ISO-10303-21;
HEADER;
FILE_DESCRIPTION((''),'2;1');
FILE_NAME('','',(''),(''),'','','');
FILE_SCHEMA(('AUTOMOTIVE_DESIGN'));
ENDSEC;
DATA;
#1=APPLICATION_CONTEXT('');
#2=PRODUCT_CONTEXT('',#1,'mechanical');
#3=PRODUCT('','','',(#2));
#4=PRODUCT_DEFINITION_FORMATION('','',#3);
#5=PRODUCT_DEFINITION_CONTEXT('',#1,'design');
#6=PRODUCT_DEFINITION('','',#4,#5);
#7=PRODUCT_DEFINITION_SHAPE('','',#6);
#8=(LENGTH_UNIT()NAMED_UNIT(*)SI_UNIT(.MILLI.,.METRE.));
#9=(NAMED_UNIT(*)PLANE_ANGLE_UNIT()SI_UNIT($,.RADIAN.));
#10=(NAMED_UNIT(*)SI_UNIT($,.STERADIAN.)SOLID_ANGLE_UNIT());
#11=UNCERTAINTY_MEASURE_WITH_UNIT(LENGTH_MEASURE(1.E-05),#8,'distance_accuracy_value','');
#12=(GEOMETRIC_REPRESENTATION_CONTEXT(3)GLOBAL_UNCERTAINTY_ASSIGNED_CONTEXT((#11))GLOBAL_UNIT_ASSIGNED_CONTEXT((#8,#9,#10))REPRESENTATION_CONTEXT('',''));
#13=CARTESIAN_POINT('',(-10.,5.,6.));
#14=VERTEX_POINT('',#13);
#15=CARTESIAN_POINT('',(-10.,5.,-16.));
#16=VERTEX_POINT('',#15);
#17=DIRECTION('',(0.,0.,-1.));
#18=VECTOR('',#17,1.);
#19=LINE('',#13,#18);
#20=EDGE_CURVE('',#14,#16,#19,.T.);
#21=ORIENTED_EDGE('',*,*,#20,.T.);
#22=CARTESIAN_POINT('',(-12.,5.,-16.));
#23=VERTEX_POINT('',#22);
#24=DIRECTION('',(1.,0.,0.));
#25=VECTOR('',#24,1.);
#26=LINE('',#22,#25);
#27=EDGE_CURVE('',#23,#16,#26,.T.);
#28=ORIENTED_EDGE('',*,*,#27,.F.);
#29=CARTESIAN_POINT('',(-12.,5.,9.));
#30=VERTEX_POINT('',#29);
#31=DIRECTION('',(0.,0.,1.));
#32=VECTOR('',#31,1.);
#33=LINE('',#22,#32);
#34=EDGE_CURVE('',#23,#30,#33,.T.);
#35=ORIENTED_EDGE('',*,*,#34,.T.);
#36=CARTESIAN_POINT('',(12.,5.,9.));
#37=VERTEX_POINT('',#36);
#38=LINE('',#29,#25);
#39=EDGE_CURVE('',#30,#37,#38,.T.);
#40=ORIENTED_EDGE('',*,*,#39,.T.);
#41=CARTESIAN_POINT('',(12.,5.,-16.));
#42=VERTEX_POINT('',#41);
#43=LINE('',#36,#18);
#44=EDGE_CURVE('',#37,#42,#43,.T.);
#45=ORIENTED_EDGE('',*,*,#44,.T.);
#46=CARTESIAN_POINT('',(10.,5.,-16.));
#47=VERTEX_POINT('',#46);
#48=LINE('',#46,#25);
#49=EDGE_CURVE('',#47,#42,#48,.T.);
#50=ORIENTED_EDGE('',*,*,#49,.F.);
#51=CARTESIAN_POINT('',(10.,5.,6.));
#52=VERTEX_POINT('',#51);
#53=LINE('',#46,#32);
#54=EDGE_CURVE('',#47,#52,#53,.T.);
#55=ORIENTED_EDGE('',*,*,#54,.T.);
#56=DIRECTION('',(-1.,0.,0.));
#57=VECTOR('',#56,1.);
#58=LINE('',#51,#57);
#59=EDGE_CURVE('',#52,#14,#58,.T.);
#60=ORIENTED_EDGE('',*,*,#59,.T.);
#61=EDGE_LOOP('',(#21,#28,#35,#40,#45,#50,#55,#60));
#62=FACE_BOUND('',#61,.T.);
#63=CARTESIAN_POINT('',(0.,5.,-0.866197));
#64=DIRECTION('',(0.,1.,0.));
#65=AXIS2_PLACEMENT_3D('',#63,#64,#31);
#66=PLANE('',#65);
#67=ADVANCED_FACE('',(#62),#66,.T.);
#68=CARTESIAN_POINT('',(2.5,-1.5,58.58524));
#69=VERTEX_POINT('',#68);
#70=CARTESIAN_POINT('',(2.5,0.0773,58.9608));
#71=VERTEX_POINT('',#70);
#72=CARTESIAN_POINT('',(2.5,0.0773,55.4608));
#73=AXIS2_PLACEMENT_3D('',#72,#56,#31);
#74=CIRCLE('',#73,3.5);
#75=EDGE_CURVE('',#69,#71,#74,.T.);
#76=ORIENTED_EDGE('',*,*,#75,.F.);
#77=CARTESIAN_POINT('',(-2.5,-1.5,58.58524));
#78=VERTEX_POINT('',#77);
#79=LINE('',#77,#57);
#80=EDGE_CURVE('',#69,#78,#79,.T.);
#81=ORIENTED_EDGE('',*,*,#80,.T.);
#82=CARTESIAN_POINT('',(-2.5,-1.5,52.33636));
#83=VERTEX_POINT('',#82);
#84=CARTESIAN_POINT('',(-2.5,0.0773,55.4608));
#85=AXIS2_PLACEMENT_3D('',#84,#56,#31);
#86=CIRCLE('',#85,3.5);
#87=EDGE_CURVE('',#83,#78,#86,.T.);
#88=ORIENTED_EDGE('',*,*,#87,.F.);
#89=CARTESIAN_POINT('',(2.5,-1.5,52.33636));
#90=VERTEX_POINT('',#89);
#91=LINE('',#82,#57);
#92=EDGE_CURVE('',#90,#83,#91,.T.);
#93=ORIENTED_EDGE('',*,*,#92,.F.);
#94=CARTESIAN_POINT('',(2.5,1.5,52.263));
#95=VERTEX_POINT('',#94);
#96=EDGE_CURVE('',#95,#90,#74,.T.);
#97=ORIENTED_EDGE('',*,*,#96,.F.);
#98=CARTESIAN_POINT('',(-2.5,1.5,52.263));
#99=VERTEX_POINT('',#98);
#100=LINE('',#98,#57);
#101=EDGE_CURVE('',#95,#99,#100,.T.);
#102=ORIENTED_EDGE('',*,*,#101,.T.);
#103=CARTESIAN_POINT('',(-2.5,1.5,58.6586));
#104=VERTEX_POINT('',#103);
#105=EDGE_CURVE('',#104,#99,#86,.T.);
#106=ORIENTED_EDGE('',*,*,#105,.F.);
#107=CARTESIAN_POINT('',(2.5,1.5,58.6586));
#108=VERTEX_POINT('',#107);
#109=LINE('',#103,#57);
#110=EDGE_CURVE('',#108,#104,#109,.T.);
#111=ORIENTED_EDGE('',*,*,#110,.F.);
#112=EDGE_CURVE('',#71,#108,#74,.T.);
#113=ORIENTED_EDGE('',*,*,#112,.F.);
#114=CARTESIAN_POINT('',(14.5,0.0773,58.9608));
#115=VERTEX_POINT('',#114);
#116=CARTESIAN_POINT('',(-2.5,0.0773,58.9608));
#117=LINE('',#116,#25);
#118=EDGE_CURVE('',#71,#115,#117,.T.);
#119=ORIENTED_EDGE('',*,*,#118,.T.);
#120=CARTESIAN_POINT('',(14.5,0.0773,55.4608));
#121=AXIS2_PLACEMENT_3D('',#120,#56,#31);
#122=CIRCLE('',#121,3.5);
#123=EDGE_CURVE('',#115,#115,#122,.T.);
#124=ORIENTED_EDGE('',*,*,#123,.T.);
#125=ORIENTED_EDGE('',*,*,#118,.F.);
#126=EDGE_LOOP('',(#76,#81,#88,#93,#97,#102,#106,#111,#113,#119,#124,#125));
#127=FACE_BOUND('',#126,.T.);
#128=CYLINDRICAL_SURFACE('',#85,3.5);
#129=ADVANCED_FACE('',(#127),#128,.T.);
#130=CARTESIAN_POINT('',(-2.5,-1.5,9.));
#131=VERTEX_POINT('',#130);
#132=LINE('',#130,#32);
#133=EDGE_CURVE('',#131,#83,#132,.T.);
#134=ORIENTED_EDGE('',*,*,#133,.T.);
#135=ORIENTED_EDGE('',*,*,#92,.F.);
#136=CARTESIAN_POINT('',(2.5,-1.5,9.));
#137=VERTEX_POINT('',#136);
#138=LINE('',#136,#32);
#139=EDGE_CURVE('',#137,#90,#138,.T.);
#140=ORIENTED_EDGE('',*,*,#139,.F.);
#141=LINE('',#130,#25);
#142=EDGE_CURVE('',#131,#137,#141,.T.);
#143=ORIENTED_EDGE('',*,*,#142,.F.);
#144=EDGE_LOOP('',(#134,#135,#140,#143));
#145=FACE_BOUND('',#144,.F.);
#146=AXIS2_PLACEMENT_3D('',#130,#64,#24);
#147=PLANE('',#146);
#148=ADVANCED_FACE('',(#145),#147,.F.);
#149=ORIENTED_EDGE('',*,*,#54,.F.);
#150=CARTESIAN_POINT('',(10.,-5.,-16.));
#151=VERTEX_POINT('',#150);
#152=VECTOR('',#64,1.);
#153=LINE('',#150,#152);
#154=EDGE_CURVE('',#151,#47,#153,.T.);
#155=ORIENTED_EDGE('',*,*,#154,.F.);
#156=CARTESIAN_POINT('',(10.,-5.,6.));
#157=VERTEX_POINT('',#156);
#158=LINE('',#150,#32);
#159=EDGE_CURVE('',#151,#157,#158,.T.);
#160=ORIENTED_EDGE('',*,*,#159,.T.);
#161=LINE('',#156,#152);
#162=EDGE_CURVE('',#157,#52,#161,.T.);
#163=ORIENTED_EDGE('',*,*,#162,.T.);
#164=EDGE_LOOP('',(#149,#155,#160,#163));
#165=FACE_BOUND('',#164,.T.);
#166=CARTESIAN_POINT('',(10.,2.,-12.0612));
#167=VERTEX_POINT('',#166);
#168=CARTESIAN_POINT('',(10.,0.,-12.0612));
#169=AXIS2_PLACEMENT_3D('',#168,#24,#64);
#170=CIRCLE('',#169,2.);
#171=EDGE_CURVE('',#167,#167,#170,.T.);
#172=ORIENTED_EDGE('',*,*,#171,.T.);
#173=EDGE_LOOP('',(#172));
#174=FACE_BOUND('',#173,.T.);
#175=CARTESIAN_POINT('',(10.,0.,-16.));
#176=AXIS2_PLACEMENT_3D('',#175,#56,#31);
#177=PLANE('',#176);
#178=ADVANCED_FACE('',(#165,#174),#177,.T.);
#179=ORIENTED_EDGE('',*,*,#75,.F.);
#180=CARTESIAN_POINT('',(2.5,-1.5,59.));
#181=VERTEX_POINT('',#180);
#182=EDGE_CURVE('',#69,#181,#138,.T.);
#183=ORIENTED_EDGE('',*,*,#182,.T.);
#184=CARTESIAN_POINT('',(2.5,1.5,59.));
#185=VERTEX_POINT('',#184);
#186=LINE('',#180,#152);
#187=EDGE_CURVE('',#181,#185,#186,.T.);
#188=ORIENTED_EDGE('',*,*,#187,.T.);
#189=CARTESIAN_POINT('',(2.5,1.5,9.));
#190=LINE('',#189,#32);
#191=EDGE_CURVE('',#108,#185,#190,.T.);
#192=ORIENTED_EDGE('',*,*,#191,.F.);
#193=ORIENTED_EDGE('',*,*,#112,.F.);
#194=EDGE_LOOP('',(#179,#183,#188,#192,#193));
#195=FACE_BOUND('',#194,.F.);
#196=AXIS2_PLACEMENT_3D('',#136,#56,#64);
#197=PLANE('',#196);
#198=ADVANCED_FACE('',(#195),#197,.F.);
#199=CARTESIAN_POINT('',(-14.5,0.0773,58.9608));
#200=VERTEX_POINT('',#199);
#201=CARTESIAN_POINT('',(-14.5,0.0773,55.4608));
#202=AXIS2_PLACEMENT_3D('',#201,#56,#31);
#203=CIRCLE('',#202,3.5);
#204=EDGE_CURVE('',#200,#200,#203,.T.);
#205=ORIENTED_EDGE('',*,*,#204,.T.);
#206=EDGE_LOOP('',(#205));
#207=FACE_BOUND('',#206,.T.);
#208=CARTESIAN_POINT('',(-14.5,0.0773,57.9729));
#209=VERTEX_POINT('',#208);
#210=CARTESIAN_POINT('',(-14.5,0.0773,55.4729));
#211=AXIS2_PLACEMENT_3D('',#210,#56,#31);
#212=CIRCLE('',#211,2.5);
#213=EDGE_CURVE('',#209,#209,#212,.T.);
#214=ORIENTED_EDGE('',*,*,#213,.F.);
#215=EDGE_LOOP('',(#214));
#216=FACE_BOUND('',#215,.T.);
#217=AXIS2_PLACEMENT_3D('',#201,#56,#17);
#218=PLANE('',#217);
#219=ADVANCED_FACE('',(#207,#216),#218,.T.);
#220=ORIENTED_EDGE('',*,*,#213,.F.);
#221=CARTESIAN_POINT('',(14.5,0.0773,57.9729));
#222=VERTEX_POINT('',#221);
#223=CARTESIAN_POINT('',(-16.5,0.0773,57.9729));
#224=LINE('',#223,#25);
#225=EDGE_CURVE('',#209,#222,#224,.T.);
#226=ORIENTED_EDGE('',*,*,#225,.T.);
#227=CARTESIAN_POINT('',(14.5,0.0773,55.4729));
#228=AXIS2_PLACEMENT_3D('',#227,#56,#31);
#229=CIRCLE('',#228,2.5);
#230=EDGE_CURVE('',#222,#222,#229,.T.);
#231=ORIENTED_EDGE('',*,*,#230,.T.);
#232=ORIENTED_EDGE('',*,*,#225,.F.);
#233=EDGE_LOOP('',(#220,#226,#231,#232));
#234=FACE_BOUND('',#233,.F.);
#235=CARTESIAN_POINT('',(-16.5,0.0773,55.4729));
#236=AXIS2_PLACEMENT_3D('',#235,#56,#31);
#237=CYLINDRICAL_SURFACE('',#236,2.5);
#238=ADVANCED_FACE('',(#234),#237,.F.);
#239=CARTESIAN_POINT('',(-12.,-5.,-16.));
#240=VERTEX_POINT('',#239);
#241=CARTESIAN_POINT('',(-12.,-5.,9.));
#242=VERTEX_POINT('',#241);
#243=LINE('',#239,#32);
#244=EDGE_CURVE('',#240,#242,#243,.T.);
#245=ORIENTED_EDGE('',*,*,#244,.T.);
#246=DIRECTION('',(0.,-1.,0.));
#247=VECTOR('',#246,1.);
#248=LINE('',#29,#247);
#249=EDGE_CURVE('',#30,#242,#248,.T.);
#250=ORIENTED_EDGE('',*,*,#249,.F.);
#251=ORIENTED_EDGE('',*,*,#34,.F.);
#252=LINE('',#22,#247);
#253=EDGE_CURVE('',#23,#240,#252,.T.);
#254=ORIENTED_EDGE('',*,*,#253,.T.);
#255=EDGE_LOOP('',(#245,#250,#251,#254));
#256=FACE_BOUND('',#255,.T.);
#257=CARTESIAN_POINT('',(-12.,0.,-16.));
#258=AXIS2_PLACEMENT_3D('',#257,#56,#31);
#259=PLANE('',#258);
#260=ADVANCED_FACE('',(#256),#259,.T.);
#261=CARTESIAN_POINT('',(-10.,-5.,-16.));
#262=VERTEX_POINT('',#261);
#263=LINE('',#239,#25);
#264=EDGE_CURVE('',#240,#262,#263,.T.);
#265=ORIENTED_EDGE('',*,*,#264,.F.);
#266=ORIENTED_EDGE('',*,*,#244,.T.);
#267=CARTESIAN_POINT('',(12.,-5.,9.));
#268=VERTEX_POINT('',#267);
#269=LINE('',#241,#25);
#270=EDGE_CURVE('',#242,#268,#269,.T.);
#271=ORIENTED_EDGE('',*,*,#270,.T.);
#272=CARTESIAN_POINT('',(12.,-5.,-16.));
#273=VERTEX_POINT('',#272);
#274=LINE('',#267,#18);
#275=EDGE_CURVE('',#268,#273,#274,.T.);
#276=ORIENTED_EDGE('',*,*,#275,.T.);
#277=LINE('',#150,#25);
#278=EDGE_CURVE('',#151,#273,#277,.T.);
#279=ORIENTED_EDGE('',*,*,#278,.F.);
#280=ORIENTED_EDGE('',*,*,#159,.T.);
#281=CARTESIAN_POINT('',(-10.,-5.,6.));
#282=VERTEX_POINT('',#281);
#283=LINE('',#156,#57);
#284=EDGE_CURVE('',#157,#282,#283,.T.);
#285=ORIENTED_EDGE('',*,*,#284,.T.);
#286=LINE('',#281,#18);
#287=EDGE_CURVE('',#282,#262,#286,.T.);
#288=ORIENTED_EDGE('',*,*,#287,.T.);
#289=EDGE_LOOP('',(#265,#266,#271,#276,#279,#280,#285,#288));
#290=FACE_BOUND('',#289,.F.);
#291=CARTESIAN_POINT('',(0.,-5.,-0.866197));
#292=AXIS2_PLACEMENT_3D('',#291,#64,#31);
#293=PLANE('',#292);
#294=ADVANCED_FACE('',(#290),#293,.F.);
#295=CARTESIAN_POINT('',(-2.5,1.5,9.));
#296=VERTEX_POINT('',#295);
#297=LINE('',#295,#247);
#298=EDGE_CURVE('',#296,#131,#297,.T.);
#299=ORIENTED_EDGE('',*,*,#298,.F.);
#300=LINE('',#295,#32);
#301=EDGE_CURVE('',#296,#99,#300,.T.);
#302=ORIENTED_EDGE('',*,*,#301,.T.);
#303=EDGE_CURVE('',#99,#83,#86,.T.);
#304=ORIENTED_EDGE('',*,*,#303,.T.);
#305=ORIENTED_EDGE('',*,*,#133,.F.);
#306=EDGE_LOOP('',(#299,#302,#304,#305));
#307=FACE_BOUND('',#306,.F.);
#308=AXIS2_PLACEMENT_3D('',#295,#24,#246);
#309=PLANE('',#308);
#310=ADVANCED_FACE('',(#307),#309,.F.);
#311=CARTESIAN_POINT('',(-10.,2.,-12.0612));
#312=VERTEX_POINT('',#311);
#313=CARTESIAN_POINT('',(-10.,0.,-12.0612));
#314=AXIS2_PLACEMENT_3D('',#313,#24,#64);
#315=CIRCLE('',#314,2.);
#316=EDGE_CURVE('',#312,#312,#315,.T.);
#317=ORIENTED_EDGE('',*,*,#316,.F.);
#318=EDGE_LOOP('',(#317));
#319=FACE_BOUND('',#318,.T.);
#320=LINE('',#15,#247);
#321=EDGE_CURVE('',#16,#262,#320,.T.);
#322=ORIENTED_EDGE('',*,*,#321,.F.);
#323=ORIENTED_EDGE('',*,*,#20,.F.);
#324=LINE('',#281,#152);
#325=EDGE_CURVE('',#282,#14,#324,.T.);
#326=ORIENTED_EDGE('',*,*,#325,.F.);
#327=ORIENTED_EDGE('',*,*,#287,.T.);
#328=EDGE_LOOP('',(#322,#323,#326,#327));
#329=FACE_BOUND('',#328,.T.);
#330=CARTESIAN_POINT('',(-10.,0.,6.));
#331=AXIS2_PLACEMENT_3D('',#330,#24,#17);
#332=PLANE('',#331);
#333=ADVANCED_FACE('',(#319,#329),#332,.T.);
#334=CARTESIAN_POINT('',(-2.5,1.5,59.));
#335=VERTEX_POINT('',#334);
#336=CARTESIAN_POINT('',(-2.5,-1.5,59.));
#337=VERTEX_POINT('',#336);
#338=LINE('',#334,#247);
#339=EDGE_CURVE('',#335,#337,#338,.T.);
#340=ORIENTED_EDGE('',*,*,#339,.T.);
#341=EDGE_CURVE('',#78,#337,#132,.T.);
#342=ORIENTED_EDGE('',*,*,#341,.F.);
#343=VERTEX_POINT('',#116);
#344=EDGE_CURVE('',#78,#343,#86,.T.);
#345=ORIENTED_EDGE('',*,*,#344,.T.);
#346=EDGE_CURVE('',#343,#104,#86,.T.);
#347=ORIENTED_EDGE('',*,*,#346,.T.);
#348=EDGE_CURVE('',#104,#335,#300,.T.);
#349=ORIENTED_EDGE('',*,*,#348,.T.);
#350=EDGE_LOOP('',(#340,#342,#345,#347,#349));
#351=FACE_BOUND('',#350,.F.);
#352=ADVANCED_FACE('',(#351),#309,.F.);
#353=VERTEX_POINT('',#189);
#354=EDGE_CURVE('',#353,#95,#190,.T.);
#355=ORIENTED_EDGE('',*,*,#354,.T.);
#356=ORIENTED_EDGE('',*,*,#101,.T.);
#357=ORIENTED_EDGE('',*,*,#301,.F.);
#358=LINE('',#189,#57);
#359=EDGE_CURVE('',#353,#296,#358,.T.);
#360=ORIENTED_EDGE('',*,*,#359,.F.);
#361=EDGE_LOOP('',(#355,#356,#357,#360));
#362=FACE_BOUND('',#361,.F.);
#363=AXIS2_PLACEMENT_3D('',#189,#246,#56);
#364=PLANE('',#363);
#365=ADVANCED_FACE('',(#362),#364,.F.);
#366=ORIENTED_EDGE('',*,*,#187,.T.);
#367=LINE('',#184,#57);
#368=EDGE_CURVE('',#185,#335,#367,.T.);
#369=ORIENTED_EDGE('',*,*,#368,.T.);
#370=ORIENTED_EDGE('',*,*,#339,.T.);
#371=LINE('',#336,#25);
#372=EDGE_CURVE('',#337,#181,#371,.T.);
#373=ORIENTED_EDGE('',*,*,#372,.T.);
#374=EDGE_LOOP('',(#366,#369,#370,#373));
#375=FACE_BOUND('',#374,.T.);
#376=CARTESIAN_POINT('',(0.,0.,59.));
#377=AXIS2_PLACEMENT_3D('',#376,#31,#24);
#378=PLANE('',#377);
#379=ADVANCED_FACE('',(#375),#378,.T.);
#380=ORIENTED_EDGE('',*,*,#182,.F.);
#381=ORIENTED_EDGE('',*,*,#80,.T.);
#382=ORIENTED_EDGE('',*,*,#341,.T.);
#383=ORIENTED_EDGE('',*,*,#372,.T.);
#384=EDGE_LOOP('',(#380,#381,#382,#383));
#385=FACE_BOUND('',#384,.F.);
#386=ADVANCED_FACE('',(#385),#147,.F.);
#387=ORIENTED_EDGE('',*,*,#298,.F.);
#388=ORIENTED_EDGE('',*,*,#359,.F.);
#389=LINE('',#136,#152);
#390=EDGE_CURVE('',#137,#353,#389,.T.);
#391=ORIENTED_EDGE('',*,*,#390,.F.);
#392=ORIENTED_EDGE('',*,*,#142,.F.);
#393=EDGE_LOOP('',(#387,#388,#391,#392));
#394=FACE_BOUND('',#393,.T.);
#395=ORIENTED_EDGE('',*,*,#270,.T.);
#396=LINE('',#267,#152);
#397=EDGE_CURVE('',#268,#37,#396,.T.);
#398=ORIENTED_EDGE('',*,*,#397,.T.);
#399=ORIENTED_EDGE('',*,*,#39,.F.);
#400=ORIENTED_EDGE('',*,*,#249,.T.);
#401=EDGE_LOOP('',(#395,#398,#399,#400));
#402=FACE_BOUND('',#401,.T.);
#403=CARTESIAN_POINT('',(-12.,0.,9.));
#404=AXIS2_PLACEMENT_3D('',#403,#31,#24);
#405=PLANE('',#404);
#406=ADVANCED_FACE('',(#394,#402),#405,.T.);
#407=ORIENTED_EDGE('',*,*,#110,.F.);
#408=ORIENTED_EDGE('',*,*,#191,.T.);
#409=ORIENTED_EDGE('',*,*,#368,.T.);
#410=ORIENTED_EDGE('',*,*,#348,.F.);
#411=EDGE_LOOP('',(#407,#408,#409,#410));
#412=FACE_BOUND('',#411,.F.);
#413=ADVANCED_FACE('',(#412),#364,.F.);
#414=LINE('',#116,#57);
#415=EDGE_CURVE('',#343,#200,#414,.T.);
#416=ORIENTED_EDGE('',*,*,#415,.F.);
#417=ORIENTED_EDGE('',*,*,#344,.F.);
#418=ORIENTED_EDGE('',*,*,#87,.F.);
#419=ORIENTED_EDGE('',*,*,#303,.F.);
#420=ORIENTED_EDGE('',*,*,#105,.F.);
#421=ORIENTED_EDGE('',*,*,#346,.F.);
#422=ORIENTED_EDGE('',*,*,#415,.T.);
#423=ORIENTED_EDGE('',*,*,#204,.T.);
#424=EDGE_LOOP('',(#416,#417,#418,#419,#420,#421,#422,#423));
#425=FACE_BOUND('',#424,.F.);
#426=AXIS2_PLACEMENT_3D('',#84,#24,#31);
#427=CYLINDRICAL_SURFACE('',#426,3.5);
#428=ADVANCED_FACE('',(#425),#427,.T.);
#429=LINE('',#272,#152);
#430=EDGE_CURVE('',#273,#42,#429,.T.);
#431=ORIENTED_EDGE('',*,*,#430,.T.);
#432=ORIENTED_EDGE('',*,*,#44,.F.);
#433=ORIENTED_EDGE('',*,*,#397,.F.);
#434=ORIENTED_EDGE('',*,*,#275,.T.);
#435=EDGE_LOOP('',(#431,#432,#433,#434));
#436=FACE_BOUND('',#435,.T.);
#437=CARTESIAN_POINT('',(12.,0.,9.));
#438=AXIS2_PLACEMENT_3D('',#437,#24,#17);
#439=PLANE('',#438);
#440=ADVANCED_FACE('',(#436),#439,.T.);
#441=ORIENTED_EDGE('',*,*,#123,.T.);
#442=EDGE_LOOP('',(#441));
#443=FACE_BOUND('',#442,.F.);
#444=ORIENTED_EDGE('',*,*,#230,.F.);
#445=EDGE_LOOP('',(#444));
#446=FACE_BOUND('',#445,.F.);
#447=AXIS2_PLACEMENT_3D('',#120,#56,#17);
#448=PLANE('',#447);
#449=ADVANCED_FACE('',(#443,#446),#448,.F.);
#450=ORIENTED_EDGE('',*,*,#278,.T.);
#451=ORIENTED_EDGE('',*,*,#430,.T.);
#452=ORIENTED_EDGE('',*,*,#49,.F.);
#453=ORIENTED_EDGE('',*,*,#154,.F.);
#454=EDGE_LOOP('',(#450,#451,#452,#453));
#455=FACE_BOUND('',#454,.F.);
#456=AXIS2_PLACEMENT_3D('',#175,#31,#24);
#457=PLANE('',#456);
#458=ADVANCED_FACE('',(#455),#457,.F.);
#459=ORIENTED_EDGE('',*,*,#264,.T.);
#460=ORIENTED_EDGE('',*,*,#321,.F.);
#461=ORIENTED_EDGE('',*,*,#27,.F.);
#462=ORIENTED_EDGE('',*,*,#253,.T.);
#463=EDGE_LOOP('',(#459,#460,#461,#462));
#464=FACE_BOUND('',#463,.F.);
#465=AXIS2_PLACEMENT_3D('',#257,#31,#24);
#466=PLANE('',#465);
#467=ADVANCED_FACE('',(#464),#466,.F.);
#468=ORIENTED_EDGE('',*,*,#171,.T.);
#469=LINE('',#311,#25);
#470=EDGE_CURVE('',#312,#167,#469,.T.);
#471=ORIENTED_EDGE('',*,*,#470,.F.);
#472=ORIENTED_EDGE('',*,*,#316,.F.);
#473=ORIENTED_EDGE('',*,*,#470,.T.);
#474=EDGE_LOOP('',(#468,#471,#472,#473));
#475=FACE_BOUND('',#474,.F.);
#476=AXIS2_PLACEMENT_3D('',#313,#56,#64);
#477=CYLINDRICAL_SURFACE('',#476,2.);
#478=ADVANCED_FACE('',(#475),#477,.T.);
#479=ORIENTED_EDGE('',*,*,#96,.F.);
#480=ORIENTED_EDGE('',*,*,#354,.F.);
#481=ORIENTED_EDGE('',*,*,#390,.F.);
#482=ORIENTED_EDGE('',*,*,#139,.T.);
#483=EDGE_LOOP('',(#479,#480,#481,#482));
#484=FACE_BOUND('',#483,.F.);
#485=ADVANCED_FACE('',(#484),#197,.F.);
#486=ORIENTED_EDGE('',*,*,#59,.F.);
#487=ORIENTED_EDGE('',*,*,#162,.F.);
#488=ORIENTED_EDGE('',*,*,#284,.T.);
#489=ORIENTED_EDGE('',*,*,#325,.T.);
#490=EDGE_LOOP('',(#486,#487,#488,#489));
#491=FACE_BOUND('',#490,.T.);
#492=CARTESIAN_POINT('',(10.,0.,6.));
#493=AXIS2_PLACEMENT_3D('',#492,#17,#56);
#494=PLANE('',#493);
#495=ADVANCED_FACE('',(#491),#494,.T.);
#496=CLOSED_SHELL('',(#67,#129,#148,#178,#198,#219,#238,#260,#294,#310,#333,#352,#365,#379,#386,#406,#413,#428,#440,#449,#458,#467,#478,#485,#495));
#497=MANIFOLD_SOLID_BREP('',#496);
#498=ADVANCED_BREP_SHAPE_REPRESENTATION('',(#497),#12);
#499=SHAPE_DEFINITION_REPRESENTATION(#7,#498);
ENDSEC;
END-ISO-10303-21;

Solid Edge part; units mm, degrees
sketch "Sketch1" plane through (0, 0, 0) normal (0, -1, 0) x (1, 0, 0)
  line L0 (-12, 9) -> (12, 9)
  line L1 (12, 9) -> (12, -16)
  line L2 (10, -16) -> (12, -16)
  line L3 (10, -16) -> (10, 6)
  line L4 (10, 6) -> (-10, 6)
  line L5 (-10, 6) -> (-10, -16)
  line L6 (-12, -16) -> (-10, -16)
  line L7 (-12, -16) -> (-12, 9)
extrude "Protrusion1" add sketch "Sketch1" along normal mid plane 10
sketch "Sketch2" plane through (-10, 0, -5) normal (1, 0, 0) x (0, 1, 0)
  circle A0 centre (0, -7.0612) radius 2
extrude "ExtrudedProtrusion_5" add sketch "Sketch2" along normal blind 20
sketch "Sketch3" plane through (0, 0, 9) normal (0, 0, 1) x (1, 0, 0)
  line L0 (2.5, -1.5) -> (2.5, 1.5)
  line L1 (2.5, 1.5) -> (-2.5, 1.5)
  line L2 (-2.5, 1.5) -> (-2.5, -1.5)
  line L3 (-2.5, -1.5) -> (2.5, -1.5)
extrude "ExtrudedProtrusion_6" add sketch "Sketch3" along normal blind 50
sketch "Sketch4" plane through (-2.5, 0, 34) normal (-1, 0, 0) x (0, 0, 1)
  circle A0 centre (21.4608, 0.0773) radius 3.5
extrude "ExtrudedProtrusion_8" add sketch "Sketch4" along normal blind 12 and the other way blind 17
sketch "Sketch5" plane through (-16.5, 0.0773, 55.4608) normal (-1, 0, 0) x (0, 0, 1)
  circle A0 centre (0.0121, 0) radius 2.5
extrude "ExtrudedCutout_1" cut sketch "Sketch5" against normal blind 62.1313
